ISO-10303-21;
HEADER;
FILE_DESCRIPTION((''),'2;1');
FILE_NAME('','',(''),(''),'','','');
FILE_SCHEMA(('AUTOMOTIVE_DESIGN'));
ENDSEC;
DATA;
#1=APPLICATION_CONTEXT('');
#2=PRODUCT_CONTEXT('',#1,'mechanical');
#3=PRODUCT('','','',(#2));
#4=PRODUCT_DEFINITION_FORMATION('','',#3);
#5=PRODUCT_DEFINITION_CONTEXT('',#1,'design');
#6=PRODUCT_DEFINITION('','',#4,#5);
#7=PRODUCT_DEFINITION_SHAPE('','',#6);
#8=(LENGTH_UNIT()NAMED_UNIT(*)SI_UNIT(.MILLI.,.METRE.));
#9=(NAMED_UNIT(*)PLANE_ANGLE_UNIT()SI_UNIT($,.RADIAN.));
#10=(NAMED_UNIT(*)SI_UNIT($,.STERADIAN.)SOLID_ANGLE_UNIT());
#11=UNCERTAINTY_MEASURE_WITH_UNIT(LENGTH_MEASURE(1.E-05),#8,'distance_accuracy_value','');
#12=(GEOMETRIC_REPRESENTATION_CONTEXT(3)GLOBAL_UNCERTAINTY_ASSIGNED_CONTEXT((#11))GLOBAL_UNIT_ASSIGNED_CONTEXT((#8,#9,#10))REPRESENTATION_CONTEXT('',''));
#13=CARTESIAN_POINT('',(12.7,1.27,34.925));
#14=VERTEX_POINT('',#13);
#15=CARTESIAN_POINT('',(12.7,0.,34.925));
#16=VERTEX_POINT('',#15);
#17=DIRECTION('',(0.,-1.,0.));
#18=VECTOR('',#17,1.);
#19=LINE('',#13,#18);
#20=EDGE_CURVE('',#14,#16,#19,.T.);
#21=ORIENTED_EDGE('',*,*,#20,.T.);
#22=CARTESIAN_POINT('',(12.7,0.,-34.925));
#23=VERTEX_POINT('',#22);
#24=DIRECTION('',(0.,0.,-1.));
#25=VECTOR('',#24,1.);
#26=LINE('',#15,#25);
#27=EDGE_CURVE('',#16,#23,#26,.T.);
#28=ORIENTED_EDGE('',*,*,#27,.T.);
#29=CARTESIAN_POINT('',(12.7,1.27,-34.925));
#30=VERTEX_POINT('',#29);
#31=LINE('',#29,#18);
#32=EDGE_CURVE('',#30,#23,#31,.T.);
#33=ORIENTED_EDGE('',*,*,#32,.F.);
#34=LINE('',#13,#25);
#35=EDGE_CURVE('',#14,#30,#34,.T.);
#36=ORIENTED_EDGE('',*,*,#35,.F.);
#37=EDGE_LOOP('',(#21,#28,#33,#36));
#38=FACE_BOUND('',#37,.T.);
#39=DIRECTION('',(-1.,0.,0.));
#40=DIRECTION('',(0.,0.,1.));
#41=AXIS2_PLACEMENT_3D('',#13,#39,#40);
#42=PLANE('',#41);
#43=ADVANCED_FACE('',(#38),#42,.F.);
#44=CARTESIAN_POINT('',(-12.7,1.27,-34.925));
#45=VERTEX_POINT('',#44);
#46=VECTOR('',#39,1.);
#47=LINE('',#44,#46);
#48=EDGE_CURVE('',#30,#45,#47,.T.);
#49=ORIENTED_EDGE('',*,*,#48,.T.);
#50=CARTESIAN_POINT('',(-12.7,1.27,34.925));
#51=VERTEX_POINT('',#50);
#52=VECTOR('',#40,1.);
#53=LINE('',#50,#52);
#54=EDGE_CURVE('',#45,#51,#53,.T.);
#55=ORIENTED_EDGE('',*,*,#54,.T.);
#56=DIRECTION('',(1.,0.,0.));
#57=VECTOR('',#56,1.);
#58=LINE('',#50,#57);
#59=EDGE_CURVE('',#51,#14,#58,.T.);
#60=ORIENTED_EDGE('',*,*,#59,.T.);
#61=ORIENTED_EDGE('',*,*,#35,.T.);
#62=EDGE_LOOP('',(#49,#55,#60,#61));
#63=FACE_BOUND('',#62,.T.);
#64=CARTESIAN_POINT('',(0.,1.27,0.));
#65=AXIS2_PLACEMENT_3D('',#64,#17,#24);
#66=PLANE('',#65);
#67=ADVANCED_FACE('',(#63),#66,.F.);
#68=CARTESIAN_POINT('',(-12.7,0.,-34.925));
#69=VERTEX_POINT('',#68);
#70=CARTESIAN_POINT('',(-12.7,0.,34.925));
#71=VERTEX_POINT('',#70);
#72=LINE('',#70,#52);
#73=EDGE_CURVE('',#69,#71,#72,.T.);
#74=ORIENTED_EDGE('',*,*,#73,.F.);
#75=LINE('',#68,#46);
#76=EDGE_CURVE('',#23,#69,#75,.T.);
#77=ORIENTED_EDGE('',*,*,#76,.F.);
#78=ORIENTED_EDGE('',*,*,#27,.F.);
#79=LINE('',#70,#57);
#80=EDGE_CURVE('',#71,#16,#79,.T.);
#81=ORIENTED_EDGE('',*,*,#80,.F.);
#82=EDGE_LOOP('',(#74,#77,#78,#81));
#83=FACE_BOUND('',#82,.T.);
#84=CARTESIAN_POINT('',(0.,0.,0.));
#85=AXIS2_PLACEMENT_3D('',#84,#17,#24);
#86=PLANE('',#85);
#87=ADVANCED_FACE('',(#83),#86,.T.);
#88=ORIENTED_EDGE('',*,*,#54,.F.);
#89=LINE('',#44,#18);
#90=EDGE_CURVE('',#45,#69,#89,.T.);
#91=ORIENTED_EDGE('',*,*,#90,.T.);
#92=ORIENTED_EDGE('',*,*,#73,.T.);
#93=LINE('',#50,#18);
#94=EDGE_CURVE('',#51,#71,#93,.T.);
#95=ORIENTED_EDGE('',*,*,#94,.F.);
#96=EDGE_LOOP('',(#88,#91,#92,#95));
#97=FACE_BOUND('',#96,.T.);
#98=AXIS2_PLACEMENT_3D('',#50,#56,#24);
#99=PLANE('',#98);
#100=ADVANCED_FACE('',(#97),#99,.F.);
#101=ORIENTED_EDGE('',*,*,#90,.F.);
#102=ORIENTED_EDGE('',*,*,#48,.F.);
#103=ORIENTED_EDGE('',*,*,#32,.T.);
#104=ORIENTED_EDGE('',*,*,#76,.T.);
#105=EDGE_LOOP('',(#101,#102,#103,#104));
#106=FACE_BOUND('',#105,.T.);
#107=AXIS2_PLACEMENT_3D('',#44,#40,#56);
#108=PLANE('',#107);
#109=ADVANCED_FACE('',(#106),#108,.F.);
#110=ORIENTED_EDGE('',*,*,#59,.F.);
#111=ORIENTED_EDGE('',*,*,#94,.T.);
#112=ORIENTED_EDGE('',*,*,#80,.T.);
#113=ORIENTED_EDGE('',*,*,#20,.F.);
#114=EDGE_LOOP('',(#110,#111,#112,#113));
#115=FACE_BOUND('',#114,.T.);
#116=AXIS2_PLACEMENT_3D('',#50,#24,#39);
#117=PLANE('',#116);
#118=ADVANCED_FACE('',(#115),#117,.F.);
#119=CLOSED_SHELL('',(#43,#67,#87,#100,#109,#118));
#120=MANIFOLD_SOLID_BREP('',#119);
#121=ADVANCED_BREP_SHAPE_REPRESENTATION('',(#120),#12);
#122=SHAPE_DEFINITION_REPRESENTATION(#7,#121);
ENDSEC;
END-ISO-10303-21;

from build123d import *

# Parameters (mm, degrees)
SKETCH1_W           = 25.4
SKETCH1_H           = 69.85
BOSS_EXTRUDE1_DEPTH = 1.27


with BuildPart() as part:
    # Sketch1 → Boss-Extrude1 (new body)
    with BuildSketch(Plane(origin=(0, 0, 0), x_dir=(1, 0, 0), z_dir=(0, 1, 0))):
        Rectangle(SKETCH1_W, SKETCH1_H)
    extrude(amount=BOSS_EXTRUDE1_DEPTH)


solid = part.part
